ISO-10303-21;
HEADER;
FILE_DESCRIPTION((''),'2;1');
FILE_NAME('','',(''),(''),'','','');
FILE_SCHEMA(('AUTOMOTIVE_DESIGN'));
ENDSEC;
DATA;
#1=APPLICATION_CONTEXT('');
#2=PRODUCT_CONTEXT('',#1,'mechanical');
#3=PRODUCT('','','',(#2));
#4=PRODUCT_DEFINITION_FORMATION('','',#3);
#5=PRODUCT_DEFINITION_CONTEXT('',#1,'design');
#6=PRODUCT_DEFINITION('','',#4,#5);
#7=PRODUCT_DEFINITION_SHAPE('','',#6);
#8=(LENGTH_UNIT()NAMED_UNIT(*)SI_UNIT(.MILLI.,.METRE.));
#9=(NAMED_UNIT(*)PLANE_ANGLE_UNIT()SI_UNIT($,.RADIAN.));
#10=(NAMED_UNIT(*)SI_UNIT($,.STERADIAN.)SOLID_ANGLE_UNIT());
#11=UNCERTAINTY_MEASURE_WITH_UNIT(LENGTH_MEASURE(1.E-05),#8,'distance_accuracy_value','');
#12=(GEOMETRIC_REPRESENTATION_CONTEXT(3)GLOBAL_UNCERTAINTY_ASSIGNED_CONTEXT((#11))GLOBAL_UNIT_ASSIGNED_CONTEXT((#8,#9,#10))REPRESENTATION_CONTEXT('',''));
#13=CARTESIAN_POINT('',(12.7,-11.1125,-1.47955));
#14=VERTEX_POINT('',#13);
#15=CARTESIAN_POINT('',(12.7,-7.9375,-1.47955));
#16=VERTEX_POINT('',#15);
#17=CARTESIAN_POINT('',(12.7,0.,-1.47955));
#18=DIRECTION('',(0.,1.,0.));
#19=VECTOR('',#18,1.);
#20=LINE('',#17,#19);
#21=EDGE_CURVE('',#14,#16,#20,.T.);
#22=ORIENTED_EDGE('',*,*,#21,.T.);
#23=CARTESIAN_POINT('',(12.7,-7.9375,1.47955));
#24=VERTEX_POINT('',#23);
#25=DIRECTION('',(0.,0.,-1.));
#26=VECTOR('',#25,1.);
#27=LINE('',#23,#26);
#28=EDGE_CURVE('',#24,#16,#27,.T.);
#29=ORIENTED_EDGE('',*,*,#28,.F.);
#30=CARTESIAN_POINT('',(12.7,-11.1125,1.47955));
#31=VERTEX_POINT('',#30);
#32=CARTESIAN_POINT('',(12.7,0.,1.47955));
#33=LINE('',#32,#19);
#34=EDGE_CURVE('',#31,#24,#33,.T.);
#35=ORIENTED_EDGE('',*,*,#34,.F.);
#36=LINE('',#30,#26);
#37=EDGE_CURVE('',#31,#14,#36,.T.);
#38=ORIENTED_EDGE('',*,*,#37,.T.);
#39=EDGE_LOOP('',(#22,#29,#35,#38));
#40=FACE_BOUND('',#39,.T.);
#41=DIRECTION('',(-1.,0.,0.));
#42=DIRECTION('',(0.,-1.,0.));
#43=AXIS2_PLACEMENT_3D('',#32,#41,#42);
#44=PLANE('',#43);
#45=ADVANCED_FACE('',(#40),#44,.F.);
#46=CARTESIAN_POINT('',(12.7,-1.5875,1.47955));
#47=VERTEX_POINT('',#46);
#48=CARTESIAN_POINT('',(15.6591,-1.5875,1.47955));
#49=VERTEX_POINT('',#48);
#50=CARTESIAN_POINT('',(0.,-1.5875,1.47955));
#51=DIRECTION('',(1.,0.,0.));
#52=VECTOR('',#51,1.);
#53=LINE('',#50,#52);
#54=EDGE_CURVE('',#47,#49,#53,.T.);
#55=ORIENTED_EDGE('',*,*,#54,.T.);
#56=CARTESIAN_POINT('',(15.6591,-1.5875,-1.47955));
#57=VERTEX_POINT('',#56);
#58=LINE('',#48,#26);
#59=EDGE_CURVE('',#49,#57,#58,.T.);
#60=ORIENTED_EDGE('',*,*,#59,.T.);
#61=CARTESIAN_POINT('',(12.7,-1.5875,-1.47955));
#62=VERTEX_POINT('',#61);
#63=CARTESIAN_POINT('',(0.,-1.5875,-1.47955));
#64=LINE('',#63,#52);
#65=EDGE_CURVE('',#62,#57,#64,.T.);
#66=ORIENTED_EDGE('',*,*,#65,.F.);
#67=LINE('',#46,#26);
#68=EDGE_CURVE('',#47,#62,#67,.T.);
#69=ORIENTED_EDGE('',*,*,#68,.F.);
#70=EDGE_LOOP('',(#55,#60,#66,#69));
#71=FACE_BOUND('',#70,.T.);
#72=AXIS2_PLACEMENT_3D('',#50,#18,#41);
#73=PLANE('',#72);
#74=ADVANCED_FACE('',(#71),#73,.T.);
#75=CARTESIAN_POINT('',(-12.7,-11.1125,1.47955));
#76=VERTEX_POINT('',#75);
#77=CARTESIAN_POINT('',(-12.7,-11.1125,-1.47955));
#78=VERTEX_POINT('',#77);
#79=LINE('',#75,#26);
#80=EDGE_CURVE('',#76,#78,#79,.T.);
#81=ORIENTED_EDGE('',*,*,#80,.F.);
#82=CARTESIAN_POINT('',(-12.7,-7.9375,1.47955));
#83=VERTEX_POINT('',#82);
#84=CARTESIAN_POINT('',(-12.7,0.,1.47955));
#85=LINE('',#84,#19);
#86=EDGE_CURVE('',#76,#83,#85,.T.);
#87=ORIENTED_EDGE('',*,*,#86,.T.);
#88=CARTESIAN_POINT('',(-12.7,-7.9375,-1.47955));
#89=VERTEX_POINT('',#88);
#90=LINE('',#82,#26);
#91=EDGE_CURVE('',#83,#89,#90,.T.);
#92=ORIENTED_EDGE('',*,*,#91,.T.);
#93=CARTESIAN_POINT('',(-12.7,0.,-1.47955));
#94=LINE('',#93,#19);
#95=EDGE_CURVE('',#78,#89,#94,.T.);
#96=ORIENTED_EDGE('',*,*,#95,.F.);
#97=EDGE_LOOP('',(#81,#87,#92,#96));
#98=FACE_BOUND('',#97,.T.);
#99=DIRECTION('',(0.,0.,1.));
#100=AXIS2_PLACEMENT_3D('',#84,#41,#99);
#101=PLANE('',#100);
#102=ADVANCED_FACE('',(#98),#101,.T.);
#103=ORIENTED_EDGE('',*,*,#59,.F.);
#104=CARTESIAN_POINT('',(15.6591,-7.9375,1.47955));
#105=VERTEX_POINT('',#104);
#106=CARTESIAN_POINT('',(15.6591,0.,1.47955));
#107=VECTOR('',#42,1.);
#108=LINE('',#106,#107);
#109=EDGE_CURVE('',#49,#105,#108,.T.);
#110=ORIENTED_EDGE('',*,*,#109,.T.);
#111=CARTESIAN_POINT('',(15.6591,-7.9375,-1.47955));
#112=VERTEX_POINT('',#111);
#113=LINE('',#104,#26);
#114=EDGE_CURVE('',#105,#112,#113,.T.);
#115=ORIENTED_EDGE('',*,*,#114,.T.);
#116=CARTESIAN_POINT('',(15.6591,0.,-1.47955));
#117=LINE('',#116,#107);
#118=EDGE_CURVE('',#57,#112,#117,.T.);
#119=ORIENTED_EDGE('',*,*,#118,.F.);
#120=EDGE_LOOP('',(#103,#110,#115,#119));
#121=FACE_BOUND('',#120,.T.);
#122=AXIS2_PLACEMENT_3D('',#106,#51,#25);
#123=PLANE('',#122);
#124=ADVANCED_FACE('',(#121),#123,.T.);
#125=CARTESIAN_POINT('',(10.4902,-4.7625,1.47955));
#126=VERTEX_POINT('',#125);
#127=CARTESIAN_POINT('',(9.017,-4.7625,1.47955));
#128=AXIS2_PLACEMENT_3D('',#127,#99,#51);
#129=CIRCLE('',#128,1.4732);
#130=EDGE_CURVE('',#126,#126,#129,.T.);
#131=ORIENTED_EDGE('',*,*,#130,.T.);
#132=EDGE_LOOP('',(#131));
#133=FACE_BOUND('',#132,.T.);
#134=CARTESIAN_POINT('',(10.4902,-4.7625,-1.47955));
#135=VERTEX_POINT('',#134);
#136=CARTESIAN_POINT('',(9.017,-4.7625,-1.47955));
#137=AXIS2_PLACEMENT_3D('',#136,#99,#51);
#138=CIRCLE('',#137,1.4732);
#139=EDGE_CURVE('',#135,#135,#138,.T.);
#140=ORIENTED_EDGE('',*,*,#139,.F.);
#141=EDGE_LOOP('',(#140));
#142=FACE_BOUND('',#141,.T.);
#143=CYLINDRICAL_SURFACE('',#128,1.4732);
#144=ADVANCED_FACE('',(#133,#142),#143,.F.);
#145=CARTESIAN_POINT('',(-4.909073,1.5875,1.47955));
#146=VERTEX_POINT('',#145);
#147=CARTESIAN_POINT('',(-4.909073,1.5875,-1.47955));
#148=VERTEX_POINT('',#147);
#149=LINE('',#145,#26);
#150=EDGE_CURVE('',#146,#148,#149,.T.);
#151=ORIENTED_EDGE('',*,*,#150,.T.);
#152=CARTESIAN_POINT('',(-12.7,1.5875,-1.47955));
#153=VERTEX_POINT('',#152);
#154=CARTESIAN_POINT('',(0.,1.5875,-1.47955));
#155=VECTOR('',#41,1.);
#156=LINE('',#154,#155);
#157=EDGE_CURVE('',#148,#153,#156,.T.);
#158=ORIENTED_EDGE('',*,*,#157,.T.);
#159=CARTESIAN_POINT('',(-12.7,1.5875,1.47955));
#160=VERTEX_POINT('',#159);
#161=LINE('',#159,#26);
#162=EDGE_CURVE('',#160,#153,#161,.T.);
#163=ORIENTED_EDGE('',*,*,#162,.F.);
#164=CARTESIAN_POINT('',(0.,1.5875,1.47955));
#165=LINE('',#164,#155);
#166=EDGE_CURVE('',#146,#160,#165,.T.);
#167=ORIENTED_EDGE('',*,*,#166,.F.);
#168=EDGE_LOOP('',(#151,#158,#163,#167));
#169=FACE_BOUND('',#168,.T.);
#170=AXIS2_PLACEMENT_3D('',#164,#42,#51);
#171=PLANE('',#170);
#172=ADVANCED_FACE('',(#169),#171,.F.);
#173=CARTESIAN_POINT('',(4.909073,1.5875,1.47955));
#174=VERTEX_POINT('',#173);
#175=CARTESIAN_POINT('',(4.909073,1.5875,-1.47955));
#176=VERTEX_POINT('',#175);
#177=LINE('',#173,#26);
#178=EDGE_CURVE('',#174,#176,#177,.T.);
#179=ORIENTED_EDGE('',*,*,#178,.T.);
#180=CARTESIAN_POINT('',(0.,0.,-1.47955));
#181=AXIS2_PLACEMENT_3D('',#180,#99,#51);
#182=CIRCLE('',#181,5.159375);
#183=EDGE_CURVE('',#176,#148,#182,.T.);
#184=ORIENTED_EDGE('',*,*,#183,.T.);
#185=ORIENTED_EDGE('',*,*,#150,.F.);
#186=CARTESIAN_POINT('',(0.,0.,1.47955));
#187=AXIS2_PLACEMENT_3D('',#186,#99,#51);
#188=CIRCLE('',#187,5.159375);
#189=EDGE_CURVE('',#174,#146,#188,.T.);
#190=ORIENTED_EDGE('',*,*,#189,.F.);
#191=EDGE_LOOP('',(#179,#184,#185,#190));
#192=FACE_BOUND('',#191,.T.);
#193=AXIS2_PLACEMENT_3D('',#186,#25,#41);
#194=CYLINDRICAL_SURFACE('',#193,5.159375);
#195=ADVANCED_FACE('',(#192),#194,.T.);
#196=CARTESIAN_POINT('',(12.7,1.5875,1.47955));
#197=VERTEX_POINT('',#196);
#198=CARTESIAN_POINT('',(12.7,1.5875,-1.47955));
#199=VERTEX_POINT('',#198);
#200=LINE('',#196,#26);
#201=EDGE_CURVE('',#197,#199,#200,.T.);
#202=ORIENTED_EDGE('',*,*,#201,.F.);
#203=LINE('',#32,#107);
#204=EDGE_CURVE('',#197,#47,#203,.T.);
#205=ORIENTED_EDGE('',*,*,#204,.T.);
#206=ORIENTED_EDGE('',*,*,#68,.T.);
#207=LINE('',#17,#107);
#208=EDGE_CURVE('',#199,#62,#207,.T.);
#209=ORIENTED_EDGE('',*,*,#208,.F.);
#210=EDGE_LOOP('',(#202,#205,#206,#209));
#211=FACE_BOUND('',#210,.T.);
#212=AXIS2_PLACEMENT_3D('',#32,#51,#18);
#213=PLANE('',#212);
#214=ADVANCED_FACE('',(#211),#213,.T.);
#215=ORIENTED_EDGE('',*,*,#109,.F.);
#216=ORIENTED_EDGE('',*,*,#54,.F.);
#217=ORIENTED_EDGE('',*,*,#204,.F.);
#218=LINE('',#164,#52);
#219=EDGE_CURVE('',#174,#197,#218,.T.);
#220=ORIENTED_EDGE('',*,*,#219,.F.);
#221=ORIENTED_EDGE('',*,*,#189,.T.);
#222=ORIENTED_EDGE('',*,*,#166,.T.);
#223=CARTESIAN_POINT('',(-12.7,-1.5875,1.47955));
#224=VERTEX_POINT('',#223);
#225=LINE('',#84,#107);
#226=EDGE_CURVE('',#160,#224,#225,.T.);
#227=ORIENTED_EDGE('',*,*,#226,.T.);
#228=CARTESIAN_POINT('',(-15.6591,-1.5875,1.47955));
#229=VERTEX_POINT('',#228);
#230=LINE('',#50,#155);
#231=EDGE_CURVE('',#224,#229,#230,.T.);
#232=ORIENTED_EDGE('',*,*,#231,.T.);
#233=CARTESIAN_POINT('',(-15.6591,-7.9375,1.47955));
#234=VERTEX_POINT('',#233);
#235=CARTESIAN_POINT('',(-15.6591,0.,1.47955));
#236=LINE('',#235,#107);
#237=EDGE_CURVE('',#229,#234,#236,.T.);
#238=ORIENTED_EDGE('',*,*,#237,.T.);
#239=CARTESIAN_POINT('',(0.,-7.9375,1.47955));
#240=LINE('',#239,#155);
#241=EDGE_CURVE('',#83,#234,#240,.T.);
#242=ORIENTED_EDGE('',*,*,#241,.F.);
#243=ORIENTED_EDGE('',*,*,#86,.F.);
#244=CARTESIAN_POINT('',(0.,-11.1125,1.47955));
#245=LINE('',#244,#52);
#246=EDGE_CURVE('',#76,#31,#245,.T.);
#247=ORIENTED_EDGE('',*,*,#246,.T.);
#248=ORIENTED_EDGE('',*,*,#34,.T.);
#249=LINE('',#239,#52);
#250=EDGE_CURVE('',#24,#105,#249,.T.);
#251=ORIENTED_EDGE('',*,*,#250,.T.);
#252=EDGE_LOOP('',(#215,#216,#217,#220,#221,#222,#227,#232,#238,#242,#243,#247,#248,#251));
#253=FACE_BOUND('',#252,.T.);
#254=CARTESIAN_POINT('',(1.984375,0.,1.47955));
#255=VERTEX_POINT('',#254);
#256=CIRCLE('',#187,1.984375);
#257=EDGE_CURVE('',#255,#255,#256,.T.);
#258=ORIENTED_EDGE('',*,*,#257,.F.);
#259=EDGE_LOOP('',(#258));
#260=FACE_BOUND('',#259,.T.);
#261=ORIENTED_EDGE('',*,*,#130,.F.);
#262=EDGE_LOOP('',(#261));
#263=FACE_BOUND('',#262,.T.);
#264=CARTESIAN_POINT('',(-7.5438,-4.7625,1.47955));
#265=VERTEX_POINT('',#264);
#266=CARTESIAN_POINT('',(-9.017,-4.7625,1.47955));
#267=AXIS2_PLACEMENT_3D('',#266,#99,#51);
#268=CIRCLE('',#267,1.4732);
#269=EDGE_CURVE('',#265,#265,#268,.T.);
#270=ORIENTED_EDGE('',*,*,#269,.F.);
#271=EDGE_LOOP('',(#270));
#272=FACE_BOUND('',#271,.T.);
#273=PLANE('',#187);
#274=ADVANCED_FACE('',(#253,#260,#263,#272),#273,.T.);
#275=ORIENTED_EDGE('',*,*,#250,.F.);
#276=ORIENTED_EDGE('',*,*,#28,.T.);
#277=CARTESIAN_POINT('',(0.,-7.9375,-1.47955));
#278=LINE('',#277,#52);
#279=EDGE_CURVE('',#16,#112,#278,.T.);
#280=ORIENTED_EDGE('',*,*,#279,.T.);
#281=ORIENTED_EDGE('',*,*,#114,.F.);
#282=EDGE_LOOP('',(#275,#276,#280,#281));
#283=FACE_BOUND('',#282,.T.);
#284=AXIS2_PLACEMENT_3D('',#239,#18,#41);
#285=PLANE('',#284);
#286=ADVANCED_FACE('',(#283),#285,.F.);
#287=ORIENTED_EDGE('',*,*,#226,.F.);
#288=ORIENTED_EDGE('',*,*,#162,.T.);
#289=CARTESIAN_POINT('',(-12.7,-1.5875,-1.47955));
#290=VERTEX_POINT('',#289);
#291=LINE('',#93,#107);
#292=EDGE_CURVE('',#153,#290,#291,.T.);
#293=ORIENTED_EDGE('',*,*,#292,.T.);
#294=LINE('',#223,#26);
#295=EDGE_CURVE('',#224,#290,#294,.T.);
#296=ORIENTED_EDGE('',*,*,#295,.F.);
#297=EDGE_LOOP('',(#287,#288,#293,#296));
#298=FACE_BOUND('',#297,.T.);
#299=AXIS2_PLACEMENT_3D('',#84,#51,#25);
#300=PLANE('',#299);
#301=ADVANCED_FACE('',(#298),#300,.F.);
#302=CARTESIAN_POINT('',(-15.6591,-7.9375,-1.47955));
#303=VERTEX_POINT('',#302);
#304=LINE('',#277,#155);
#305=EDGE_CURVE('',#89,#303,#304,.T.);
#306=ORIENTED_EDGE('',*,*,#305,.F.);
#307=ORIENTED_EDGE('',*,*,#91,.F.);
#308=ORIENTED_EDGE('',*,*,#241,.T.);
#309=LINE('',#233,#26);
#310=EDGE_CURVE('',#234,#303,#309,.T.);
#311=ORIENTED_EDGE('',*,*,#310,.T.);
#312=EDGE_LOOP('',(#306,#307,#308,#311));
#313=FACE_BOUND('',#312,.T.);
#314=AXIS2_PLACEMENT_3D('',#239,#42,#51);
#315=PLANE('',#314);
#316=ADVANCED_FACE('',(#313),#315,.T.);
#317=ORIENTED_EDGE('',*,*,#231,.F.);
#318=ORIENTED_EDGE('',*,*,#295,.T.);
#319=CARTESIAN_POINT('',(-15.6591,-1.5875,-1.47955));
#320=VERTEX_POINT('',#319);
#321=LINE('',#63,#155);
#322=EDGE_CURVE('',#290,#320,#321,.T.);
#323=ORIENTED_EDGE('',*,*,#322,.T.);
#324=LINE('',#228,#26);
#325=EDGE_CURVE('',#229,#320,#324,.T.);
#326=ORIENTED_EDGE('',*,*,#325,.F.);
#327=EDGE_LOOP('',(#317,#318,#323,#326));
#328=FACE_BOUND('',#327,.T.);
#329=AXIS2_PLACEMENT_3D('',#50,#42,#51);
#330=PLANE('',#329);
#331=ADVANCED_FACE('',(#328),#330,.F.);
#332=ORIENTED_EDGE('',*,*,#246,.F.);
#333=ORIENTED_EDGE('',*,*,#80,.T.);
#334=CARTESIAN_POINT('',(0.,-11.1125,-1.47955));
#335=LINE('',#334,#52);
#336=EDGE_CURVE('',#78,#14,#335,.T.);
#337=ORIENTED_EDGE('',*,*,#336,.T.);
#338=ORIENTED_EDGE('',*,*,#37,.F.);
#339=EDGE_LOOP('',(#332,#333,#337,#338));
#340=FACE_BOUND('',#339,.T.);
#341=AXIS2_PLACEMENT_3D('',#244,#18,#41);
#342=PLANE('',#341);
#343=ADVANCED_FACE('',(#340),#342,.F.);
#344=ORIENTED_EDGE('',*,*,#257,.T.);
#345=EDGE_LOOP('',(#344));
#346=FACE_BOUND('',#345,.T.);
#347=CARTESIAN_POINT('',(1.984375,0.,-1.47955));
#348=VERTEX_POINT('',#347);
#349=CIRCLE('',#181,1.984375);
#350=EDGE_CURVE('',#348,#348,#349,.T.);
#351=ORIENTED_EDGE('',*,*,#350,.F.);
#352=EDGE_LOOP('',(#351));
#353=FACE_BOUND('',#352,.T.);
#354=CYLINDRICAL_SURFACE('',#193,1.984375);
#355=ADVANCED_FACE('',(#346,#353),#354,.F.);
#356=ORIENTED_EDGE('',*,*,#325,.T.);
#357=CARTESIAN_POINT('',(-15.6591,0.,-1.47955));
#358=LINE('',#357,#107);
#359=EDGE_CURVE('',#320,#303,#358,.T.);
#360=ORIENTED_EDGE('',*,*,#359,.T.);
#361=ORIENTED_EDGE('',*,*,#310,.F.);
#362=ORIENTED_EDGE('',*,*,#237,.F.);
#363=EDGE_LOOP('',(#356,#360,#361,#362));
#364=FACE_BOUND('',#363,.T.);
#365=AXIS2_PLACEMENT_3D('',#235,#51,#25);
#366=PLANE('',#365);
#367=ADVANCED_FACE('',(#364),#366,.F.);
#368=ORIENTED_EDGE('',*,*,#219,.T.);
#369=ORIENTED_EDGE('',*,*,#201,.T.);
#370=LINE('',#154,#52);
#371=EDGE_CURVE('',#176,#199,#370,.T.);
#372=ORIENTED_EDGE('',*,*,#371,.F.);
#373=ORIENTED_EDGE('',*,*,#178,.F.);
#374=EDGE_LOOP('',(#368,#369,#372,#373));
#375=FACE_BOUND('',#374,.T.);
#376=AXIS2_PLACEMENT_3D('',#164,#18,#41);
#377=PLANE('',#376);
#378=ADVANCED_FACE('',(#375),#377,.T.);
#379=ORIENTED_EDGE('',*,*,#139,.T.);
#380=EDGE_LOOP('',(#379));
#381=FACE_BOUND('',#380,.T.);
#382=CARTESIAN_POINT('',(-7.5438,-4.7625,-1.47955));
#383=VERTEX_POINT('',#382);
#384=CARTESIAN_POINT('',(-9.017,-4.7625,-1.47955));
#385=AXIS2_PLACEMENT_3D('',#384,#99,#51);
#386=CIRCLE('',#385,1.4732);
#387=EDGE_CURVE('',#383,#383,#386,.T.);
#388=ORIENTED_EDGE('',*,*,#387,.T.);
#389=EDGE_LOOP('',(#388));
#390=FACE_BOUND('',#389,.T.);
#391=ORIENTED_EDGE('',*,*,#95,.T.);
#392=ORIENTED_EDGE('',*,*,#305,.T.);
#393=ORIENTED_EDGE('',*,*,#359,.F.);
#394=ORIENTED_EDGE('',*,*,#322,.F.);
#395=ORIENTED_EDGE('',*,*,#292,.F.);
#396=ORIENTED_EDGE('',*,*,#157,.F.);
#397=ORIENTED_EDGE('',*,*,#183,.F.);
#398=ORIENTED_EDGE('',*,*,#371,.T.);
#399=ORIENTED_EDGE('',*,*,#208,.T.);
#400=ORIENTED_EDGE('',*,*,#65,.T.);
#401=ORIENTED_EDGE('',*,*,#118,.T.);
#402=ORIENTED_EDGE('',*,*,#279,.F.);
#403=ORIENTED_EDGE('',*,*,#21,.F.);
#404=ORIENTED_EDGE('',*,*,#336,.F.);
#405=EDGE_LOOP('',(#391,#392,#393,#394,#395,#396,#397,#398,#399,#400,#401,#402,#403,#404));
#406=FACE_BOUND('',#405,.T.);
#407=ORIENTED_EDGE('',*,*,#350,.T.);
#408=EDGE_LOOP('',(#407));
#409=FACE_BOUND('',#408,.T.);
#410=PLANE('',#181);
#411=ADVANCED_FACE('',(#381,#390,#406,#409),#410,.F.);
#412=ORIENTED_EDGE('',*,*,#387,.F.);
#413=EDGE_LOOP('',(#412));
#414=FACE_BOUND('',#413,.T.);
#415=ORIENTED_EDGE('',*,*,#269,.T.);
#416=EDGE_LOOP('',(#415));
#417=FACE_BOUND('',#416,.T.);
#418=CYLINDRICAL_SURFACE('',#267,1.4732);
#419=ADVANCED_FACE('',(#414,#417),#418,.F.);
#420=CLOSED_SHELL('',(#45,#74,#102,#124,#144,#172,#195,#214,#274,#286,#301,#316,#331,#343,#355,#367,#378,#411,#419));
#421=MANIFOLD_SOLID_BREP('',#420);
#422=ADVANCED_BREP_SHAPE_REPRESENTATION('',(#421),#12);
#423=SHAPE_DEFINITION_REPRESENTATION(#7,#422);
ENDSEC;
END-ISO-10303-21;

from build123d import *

# Parameters (mm, degrees)
SKETCH1_R                 = 1.984375
BOSS_EXTRUDE1_DEPTH       = 1.47955
F_4_CLEARANCE_HOLE1_D     = 2.9464
F_4_CLEARANCE_HOLE1_DEPTH = 3.302
F_4_CLEARANCE_HOLE1_TIP   = 0.885187864


with BuildPart() as part:
    # Sketch1 → Boss-Extrude1 (new body, symmetric)
    with BuildSketch(Plane.XY):
        with BuildLine():
            Line((-15.6591, -1.5875), (-15.6591, -7.9375))
            Line((-15.6591, -7.9375), (-12.7, -7.9375))
            Line((-12.7, -7.9375), (-12.7, -11.1125))
            Line((-12.7, -11.1125), (12.7, -11.1125))
            Line((12.7, -11.1125), (12.7, -7.9375))
            Line((12.7, -7.9375), (15.6591, -7.9375))
            Line((15.6591, -7.9375), (15.6591, -1.5875))
            Line((15.6591, -1.5875), (12.7, -1.5875))
            Line((12.7, -1.5875), (12.7, 1.5875))
            Line((12.7, 1.5875), (4.909072636, 1.5875))
            ThreePointArc((4.909072636, 1.5875), (0, 5.159375), (-4.909072636, 1.5875))
            Line((-4.909072636, 1.5875), (-12.7, 1.5875))
            Line((-12.7, 1.5875), (-12.7, -1.5875))
            Line((-12.7, -1.5875), (-15.6591, -1.5875))
        make_face()
        Circle(SKETCH1_R, mode=Mode.SUBTRACT)
    extrude(amount=BOSS_EXTRUDE1_DEPTH, both=True)

    # #4 Clearance Hole1
    with Locations(Plane(origin=(0.047806488, 1.573653324, 1.47955), x_dir=(1, 0, 0), z_dir=(0, 0, 1))):
        with Locations((-9.064806488, -6.336153324), (8.969193512, -6.336153324)):
            Hole(F_4_CLEARANCE_HOLE1_D / 2, depth=F_4_CLEARANCE_HOLE1_DEPTH)
            with Locations((0, 0, -(F_4_CLEARANCE_HOLE1_DEPTH + F_4_CLEARANCE_HOLE1_TIP / 2))):  # 118° drill point
                Cone(0, F_4_CLEARANCE_HOLE1_D / 2, F_4_CLEARANCE_HOLE1_TIP, mode=Mode.SUBTRACT)


solid = part.part
